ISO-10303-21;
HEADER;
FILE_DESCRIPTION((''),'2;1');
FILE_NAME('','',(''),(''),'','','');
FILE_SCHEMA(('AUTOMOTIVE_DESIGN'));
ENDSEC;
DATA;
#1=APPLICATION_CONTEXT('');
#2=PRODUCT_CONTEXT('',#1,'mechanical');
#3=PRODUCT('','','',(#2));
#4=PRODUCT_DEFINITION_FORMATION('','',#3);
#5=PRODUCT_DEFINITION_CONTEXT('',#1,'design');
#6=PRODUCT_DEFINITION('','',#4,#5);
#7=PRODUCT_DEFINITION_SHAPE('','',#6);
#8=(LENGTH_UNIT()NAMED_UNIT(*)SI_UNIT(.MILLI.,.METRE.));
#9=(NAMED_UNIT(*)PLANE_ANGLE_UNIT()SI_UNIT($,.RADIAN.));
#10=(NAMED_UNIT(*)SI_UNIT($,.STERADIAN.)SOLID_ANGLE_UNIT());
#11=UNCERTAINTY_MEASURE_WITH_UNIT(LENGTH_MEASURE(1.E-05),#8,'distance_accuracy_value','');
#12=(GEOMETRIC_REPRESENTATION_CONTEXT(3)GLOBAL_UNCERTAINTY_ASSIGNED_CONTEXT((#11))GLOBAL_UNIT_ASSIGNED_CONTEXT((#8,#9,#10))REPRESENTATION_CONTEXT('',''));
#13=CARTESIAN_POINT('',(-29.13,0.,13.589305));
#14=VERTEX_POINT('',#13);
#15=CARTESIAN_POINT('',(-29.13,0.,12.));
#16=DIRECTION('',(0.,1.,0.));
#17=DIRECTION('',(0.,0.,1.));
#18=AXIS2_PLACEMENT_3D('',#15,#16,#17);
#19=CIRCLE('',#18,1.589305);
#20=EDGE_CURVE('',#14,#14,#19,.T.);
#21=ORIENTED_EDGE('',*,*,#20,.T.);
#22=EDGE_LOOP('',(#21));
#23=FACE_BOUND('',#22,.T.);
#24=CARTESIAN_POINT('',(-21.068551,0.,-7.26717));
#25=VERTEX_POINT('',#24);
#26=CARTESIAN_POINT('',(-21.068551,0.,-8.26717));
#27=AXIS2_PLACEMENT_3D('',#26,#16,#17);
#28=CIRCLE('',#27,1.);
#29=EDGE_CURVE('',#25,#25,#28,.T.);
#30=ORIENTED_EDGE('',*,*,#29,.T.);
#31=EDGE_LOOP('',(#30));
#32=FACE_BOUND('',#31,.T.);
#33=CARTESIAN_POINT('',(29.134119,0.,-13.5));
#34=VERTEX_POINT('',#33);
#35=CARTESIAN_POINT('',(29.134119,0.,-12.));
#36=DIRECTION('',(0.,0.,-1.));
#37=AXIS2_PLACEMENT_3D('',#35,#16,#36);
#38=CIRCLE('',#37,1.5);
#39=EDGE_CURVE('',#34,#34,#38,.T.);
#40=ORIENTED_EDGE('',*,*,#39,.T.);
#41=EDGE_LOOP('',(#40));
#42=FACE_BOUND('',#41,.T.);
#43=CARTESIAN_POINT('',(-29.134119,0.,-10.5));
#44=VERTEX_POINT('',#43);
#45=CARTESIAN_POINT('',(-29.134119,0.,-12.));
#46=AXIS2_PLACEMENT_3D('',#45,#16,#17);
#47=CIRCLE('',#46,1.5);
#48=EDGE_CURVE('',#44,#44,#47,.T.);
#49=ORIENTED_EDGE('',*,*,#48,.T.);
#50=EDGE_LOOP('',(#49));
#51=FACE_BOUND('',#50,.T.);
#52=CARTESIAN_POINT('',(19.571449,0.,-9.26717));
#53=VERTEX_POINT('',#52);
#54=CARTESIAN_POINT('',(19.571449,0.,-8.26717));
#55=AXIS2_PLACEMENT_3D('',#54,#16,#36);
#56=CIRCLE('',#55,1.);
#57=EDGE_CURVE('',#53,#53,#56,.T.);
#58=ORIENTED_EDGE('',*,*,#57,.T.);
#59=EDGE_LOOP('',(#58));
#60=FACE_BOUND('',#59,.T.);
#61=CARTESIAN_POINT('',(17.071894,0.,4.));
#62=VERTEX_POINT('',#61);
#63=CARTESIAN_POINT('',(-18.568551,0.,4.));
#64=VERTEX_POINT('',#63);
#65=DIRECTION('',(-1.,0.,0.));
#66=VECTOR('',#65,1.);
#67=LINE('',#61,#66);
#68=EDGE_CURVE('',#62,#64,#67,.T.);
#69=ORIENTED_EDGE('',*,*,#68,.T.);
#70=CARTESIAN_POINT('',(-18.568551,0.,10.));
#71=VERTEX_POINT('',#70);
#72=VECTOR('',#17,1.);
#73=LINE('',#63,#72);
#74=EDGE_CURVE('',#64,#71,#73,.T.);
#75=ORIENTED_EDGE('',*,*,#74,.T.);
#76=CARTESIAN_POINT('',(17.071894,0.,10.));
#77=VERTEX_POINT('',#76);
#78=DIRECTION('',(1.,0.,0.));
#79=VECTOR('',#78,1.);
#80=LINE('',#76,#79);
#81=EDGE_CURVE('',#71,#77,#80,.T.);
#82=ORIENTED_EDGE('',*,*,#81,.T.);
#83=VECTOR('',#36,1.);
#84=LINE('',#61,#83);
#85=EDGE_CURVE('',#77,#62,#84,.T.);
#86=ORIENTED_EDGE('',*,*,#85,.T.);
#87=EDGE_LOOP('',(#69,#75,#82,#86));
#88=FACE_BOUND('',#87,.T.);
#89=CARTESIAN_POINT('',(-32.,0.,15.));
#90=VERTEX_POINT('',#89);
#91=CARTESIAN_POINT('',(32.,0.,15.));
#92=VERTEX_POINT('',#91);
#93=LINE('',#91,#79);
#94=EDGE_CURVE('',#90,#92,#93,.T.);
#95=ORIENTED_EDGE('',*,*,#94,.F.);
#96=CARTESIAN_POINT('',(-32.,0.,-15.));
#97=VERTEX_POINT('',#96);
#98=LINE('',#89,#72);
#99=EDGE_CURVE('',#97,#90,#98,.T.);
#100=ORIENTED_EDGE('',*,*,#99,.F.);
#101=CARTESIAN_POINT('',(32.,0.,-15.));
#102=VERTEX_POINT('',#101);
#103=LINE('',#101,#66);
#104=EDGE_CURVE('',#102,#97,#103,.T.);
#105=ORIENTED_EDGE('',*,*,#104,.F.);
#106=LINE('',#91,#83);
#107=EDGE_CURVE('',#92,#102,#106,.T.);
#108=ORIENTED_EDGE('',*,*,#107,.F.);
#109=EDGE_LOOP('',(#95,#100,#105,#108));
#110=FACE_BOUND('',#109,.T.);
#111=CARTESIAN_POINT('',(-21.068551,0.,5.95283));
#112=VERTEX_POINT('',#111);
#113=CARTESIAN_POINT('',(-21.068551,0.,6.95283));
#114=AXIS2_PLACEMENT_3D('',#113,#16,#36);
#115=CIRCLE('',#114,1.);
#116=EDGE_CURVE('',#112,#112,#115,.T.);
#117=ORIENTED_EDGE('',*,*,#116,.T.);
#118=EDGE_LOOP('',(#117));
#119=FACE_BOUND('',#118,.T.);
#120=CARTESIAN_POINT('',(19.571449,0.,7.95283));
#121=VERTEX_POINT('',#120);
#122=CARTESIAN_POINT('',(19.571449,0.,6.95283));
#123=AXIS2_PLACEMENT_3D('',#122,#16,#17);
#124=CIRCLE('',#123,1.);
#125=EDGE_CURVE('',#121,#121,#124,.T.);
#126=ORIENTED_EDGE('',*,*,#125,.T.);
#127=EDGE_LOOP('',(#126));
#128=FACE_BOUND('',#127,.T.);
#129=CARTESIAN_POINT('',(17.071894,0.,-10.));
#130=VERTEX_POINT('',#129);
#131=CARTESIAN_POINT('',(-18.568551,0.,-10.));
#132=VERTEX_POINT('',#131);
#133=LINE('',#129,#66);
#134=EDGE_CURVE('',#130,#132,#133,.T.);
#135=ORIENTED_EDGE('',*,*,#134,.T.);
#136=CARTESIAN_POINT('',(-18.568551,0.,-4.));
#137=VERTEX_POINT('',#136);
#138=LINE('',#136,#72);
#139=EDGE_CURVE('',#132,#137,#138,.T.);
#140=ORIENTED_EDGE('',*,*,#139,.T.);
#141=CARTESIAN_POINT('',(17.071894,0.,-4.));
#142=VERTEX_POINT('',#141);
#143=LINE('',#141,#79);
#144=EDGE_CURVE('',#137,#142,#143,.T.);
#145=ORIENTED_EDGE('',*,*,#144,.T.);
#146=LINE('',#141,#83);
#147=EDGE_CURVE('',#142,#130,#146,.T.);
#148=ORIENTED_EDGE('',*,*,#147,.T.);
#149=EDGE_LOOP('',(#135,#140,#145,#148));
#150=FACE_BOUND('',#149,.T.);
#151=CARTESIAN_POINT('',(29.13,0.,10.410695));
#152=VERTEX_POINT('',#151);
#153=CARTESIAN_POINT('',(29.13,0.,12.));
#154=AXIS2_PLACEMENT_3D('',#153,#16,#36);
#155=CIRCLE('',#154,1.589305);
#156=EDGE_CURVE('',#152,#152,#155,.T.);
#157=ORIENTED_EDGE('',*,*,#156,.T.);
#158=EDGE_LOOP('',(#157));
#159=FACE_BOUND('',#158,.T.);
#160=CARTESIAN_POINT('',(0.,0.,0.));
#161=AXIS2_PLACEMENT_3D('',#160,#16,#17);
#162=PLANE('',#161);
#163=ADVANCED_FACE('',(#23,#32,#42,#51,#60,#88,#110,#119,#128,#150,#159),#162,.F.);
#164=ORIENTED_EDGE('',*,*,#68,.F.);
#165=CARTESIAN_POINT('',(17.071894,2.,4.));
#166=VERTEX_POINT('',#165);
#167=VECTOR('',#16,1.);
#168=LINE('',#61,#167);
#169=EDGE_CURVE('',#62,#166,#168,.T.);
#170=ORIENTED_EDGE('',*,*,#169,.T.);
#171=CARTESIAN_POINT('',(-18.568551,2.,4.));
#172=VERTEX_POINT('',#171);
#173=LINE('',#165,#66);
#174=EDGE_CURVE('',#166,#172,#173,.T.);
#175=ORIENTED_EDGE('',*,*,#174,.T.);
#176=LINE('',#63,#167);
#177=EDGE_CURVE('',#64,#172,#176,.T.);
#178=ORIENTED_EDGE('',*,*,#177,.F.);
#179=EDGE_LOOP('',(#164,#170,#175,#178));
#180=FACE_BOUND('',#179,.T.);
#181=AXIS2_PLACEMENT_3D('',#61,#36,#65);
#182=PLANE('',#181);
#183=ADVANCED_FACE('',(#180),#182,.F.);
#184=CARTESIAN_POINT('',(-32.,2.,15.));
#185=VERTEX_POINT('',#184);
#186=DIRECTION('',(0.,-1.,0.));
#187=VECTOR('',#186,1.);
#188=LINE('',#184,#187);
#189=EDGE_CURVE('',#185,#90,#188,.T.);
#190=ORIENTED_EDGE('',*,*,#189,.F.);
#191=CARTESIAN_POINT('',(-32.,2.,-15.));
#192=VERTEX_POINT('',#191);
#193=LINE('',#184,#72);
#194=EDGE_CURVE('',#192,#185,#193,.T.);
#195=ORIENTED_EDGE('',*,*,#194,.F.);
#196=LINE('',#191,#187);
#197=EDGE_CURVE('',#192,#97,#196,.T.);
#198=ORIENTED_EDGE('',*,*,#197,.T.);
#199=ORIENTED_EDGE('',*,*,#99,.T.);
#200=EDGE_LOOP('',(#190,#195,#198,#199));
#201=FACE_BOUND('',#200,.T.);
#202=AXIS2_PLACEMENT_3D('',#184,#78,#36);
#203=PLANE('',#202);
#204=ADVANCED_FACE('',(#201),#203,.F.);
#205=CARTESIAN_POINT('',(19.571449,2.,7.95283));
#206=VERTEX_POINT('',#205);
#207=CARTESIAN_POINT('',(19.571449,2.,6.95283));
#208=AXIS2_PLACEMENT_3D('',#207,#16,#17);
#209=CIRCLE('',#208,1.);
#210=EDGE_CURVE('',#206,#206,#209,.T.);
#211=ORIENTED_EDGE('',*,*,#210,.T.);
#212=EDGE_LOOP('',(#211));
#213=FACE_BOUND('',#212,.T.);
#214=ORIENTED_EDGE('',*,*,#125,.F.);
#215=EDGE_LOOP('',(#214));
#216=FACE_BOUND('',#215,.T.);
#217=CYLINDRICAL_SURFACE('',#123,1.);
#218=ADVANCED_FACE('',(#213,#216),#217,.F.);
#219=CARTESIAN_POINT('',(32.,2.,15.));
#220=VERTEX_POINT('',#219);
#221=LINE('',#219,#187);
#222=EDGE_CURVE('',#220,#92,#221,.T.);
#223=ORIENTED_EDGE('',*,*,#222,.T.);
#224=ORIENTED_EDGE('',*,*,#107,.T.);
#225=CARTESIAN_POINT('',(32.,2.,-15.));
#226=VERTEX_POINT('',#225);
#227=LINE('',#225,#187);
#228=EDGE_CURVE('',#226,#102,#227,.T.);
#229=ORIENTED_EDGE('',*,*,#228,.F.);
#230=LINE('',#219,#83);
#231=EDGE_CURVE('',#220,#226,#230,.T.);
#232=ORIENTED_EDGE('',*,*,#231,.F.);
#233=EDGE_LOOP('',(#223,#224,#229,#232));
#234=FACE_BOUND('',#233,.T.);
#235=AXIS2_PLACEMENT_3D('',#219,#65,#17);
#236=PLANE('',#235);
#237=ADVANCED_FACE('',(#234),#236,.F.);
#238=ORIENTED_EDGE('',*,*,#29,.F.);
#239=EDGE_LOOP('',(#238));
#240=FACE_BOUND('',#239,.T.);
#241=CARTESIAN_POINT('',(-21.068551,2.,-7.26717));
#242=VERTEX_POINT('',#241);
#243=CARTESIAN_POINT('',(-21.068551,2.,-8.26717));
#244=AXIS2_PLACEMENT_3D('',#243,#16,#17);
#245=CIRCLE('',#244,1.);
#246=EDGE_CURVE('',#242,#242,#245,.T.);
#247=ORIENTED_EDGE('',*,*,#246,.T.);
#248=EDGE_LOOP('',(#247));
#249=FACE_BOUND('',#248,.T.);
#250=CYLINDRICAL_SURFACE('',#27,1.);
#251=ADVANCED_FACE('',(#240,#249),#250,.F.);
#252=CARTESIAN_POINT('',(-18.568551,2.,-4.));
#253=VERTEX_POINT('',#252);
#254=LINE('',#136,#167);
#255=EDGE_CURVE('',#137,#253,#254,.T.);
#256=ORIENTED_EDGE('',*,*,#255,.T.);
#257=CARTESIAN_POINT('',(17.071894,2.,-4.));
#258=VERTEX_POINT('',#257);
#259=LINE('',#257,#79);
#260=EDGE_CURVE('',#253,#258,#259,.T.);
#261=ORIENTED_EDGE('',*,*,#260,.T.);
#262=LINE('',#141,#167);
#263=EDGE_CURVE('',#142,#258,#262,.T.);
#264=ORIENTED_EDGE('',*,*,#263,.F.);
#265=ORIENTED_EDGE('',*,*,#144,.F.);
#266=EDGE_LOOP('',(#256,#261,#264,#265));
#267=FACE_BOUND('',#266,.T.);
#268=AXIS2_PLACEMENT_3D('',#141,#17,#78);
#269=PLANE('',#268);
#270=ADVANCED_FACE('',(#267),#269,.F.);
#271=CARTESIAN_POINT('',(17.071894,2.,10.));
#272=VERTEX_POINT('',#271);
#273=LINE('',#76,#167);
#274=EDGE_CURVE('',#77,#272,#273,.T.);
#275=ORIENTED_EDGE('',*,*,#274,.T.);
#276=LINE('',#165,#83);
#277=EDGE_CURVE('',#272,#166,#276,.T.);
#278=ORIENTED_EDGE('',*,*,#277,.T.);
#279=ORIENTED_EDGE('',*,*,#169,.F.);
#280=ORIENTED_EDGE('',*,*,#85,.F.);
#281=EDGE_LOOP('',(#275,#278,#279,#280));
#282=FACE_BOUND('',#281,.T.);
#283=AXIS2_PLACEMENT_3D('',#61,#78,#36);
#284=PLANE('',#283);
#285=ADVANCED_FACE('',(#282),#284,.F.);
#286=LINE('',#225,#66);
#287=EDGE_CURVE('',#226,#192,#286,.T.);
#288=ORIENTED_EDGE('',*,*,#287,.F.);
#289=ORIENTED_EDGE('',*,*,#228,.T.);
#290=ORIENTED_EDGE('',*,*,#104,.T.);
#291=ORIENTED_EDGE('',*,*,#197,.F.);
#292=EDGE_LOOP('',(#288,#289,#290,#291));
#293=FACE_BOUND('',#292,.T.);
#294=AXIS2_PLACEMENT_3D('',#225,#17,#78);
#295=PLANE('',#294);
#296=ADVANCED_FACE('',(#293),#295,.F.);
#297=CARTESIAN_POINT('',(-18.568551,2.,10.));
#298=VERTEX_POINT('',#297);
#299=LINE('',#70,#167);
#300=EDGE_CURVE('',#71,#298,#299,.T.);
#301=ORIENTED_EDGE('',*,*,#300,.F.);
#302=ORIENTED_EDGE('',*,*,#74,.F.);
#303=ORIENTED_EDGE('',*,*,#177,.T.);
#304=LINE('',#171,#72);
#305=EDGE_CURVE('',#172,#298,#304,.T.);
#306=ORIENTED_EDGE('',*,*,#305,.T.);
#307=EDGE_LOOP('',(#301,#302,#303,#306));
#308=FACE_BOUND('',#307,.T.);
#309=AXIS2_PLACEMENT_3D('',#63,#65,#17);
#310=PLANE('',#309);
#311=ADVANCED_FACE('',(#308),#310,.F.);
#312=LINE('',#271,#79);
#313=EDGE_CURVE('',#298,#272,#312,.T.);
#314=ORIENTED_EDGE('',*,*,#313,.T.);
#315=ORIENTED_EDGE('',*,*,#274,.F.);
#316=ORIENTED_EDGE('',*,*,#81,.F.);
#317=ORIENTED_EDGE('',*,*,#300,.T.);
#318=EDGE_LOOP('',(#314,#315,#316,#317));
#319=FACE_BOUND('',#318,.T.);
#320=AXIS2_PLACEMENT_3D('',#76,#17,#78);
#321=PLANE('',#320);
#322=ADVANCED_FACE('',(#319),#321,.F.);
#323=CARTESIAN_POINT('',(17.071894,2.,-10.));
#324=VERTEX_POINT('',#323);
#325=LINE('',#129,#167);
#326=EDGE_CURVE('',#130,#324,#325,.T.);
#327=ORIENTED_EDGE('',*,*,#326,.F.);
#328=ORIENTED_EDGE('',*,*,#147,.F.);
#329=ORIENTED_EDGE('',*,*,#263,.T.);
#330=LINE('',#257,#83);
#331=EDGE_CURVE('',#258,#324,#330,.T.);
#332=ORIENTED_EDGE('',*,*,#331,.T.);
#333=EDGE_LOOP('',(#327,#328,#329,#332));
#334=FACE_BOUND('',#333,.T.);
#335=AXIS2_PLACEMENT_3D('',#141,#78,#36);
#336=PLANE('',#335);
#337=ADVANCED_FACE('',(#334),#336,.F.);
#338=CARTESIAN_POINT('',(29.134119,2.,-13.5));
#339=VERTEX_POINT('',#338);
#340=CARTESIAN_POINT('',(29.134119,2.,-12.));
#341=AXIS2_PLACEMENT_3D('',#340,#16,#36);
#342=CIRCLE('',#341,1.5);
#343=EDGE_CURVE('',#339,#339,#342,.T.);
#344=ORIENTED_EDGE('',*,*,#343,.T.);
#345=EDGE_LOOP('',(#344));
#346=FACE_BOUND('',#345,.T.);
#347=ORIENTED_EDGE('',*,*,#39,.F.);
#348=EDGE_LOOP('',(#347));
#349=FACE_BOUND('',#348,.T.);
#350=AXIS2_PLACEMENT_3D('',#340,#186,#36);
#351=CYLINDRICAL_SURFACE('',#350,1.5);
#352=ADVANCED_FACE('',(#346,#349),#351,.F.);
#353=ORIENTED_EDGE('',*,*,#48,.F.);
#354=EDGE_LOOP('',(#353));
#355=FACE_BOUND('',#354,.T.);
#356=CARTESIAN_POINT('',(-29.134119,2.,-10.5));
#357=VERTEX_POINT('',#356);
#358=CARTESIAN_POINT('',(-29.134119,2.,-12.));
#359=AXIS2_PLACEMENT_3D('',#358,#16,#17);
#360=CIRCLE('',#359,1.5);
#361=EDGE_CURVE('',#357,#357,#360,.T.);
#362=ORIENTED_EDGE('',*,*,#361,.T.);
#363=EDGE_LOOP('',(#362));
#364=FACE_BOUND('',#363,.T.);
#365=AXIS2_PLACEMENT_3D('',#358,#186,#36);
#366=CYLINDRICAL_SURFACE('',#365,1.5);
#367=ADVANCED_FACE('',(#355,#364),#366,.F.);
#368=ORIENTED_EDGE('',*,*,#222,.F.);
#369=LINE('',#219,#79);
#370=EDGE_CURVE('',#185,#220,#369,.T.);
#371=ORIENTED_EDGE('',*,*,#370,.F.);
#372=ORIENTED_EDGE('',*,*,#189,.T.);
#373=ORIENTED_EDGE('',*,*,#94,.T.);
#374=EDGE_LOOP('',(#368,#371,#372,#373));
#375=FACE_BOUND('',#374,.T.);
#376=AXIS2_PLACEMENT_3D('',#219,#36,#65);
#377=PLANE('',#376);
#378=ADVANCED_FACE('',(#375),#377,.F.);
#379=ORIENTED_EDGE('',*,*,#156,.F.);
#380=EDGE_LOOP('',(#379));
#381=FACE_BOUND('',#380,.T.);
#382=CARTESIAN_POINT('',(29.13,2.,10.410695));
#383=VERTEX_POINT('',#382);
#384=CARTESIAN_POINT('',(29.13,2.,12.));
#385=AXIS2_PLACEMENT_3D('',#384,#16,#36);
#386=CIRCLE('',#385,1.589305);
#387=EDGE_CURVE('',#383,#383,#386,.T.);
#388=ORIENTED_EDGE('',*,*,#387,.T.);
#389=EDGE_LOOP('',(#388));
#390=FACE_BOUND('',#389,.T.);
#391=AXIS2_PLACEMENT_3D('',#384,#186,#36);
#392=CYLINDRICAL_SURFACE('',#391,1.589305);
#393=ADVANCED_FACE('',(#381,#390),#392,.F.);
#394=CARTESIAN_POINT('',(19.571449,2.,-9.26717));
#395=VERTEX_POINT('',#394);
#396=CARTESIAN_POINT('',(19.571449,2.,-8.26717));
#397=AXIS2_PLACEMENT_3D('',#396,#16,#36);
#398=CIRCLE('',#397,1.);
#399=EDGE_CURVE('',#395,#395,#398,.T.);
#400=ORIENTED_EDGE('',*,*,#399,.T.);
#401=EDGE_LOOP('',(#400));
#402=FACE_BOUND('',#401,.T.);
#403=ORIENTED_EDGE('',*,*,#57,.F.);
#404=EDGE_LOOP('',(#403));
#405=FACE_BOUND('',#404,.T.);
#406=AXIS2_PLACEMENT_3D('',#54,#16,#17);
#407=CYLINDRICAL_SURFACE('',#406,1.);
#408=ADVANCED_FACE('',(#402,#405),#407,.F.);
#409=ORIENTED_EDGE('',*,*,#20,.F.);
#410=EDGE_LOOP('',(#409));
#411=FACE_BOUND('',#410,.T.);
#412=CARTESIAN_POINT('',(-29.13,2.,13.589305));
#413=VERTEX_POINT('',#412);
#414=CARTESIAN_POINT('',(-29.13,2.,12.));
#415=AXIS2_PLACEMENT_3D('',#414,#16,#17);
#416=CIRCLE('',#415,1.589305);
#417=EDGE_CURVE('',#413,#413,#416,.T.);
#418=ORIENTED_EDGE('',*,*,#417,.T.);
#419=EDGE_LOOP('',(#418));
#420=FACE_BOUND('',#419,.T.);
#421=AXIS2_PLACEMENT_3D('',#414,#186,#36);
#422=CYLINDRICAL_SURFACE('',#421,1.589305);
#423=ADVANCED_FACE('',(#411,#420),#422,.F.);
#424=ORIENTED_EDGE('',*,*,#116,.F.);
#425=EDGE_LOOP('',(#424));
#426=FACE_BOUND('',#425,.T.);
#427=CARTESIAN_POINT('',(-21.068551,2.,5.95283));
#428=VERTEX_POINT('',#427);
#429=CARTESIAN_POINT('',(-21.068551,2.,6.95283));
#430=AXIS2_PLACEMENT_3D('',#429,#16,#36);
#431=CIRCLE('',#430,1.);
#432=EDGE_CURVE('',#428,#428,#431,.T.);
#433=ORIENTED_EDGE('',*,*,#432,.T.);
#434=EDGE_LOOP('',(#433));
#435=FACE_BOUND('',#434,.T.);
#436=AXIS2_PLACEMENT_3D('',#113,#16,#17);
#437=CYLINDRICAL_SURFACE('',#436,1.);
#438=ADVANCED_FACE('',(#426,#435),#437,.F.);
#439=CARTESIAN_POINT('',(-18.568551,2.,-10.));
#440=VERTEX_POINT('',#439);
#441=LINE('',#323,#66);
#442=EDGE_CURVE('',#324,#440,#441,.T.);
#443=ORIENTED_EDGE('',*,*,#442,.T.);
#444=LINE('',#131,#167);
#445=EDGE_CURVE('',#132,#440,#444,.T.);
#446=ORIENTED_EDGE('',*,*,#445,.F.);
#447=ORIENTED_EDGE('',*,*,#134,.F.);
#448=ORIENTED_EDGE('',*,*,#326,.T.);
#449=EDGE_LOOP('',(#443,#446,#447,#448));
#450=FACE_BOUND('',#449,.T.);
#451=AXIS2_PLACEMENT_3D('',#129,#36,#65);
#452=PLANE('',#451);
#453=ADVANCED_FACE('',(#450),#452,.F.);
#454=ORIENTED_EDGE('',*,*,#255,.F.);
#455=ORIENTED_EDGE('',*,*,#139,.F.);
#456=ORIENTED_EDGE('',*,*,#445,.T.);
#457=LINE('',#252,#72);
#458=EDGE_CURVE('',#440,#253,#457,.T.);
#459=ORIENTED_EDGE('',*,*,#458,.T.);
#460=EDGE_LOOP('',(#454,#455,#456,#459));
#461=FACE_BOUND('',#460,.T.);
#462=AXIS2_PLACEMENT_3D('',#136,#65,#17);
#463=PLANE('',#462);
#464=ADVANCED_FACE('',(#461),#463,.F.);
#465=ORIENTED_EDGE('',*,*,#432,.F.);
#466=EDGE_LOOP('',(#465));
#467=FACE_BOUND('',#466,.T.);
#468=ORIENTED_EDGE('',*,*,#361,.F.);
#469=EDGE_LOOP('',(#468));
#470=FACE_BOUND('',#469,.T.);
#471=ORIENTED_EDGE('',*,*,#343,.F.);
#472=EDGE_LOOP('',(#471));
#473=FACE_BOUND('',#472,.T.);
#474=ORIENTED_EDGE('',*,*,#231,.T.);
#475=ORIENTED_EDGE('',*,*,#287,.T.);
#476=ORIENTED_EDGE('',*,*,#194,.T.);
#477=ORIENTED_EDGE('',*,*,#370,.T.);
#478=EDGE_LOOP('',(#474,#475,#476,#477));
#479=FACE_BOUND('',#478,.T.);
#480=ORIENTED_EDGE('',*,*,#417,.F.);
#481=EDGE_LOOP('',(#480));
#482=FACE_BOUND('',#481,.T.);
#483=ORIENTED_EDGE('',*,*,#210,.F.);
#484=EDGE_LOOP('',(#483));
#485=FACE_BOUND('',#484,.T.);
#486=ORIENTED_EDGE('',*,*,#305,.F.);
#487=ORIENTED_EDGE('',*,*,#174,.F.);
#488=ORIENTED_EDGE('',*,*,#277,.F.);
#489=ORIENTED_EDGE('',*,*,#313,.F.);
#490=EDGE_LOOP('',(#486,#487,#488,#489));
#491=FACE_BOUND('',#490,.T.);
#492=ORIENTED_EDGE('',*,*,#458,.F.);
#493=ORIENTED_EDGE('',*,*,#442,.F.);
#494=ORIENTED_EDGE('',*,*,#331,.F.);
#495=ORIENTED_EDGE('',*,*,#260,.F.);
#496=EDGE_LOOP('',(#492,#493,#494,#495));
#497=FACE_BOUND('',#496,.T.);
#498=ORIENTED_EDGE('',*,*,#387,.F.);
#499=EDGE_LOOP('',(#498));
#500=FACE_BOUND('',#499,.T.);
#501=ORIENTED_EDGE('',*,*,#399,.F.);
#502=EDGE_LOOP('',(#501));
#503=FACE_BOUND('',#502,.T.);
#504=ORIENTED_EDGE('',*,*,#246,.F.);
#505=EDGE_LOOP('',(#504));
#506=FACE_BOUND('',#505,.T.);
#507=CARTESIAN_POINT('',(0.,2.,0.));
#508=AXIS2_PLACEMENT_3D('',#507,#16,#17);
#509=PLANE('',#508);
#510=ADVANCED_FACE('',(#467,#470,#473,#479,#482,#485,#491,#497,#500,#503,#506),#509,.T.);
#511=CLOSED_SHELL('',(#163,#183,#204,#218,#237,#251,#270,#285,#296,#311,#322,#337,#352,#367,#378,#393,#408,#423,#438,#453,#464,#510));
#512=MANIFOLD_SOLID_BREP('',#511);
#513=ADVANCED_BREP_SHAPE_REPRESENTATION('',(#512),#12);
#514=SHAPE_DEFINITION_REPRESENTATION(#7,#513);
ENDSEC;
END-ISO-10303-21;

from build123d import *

# Parameters (mm, degrees)
SKETCH2_W           = 64
SKETCH2_H           = 30
SKETCH2_R           = 1.589304783
SKETCH2_R_2         = 1.5
BOSS_EXTRUDE1_DEPTH = 2
SKETCH3_R           = 1
SKETCH3_W           = 35.640445049
SKETCH3_H           = 6
CUT_EXTRUDE1_DEPTH  = 2


with BuildPart() as part:
    # Sketch2 → Boss-Extrude1 (new body)
    with BuildSketch(Plane(origin=(0, 0, 0), x_dir=(1, 0, 0), z_dir=(0, 1, 0))):
        Rectangle(SKETCH2_W, SKETCH2_H)
        with Locations(Location((-29.13, -12, 0), (0, 0, 270))):
            Circle(SKETCH2_R, mode=Mode.SUBTRACT)
        with Locations(Location((-29.134119409, 12, 0), (0, 0, 270))):
            Circle(SKETCH2_R_2, mode=Mode.SUBTRACT)
        with Locations(Location((29.13, -12, 0), (0, 0, 90))):
            Circle(SKETCH2_R, mode=Mode.SUBTRACT)
        with Locations(Location((29.134119409, 12, 0), (0, 0, 90))):
            Circle(SKETCH2_R_2, mode=Mode.SUBTRACT)
    extrude(amount=BOSS_EXTRUDE1_DEPTH)

    # Sketch3 → Cut-Extrude1 (cut)
    with BuildSketch(Plane(origin=(0, 2, 0), x_dir=(1, 0, 0), z_dir=(0, 1, 0))):
        with Locations(Location((-21.068550994, 8.267170413, 0), (0, 0, 270))):
            Circle(SKETCH3_R)
        with Locations(Location((19.571449006, 8.267170413, 0), (0, 0, 90))):
            Circle(SKETCH3_R)
        with Locations(Location((19.571449006, -6.952829587, 0), (0, 0, 270))):
            Circle(SKETCH3_R)
        with Locations(Location((-21.068550994, -6.952829587, 0), (0, 0, 90))):
            Circle(SKETCH3_R)
        with Locations((-0.74832847, -7)):
            Rectangle(SKETCH3_W, SKETCH3_H)
        with Locations((-0.74832847, 7)):
            Rectangle(SKETCH3_W, SKETCH3_H)
    extrude(amount=-CUT_EXTRUDE1_DEPTH, mode=Mode.SUBTRACT)


solid = part.part
